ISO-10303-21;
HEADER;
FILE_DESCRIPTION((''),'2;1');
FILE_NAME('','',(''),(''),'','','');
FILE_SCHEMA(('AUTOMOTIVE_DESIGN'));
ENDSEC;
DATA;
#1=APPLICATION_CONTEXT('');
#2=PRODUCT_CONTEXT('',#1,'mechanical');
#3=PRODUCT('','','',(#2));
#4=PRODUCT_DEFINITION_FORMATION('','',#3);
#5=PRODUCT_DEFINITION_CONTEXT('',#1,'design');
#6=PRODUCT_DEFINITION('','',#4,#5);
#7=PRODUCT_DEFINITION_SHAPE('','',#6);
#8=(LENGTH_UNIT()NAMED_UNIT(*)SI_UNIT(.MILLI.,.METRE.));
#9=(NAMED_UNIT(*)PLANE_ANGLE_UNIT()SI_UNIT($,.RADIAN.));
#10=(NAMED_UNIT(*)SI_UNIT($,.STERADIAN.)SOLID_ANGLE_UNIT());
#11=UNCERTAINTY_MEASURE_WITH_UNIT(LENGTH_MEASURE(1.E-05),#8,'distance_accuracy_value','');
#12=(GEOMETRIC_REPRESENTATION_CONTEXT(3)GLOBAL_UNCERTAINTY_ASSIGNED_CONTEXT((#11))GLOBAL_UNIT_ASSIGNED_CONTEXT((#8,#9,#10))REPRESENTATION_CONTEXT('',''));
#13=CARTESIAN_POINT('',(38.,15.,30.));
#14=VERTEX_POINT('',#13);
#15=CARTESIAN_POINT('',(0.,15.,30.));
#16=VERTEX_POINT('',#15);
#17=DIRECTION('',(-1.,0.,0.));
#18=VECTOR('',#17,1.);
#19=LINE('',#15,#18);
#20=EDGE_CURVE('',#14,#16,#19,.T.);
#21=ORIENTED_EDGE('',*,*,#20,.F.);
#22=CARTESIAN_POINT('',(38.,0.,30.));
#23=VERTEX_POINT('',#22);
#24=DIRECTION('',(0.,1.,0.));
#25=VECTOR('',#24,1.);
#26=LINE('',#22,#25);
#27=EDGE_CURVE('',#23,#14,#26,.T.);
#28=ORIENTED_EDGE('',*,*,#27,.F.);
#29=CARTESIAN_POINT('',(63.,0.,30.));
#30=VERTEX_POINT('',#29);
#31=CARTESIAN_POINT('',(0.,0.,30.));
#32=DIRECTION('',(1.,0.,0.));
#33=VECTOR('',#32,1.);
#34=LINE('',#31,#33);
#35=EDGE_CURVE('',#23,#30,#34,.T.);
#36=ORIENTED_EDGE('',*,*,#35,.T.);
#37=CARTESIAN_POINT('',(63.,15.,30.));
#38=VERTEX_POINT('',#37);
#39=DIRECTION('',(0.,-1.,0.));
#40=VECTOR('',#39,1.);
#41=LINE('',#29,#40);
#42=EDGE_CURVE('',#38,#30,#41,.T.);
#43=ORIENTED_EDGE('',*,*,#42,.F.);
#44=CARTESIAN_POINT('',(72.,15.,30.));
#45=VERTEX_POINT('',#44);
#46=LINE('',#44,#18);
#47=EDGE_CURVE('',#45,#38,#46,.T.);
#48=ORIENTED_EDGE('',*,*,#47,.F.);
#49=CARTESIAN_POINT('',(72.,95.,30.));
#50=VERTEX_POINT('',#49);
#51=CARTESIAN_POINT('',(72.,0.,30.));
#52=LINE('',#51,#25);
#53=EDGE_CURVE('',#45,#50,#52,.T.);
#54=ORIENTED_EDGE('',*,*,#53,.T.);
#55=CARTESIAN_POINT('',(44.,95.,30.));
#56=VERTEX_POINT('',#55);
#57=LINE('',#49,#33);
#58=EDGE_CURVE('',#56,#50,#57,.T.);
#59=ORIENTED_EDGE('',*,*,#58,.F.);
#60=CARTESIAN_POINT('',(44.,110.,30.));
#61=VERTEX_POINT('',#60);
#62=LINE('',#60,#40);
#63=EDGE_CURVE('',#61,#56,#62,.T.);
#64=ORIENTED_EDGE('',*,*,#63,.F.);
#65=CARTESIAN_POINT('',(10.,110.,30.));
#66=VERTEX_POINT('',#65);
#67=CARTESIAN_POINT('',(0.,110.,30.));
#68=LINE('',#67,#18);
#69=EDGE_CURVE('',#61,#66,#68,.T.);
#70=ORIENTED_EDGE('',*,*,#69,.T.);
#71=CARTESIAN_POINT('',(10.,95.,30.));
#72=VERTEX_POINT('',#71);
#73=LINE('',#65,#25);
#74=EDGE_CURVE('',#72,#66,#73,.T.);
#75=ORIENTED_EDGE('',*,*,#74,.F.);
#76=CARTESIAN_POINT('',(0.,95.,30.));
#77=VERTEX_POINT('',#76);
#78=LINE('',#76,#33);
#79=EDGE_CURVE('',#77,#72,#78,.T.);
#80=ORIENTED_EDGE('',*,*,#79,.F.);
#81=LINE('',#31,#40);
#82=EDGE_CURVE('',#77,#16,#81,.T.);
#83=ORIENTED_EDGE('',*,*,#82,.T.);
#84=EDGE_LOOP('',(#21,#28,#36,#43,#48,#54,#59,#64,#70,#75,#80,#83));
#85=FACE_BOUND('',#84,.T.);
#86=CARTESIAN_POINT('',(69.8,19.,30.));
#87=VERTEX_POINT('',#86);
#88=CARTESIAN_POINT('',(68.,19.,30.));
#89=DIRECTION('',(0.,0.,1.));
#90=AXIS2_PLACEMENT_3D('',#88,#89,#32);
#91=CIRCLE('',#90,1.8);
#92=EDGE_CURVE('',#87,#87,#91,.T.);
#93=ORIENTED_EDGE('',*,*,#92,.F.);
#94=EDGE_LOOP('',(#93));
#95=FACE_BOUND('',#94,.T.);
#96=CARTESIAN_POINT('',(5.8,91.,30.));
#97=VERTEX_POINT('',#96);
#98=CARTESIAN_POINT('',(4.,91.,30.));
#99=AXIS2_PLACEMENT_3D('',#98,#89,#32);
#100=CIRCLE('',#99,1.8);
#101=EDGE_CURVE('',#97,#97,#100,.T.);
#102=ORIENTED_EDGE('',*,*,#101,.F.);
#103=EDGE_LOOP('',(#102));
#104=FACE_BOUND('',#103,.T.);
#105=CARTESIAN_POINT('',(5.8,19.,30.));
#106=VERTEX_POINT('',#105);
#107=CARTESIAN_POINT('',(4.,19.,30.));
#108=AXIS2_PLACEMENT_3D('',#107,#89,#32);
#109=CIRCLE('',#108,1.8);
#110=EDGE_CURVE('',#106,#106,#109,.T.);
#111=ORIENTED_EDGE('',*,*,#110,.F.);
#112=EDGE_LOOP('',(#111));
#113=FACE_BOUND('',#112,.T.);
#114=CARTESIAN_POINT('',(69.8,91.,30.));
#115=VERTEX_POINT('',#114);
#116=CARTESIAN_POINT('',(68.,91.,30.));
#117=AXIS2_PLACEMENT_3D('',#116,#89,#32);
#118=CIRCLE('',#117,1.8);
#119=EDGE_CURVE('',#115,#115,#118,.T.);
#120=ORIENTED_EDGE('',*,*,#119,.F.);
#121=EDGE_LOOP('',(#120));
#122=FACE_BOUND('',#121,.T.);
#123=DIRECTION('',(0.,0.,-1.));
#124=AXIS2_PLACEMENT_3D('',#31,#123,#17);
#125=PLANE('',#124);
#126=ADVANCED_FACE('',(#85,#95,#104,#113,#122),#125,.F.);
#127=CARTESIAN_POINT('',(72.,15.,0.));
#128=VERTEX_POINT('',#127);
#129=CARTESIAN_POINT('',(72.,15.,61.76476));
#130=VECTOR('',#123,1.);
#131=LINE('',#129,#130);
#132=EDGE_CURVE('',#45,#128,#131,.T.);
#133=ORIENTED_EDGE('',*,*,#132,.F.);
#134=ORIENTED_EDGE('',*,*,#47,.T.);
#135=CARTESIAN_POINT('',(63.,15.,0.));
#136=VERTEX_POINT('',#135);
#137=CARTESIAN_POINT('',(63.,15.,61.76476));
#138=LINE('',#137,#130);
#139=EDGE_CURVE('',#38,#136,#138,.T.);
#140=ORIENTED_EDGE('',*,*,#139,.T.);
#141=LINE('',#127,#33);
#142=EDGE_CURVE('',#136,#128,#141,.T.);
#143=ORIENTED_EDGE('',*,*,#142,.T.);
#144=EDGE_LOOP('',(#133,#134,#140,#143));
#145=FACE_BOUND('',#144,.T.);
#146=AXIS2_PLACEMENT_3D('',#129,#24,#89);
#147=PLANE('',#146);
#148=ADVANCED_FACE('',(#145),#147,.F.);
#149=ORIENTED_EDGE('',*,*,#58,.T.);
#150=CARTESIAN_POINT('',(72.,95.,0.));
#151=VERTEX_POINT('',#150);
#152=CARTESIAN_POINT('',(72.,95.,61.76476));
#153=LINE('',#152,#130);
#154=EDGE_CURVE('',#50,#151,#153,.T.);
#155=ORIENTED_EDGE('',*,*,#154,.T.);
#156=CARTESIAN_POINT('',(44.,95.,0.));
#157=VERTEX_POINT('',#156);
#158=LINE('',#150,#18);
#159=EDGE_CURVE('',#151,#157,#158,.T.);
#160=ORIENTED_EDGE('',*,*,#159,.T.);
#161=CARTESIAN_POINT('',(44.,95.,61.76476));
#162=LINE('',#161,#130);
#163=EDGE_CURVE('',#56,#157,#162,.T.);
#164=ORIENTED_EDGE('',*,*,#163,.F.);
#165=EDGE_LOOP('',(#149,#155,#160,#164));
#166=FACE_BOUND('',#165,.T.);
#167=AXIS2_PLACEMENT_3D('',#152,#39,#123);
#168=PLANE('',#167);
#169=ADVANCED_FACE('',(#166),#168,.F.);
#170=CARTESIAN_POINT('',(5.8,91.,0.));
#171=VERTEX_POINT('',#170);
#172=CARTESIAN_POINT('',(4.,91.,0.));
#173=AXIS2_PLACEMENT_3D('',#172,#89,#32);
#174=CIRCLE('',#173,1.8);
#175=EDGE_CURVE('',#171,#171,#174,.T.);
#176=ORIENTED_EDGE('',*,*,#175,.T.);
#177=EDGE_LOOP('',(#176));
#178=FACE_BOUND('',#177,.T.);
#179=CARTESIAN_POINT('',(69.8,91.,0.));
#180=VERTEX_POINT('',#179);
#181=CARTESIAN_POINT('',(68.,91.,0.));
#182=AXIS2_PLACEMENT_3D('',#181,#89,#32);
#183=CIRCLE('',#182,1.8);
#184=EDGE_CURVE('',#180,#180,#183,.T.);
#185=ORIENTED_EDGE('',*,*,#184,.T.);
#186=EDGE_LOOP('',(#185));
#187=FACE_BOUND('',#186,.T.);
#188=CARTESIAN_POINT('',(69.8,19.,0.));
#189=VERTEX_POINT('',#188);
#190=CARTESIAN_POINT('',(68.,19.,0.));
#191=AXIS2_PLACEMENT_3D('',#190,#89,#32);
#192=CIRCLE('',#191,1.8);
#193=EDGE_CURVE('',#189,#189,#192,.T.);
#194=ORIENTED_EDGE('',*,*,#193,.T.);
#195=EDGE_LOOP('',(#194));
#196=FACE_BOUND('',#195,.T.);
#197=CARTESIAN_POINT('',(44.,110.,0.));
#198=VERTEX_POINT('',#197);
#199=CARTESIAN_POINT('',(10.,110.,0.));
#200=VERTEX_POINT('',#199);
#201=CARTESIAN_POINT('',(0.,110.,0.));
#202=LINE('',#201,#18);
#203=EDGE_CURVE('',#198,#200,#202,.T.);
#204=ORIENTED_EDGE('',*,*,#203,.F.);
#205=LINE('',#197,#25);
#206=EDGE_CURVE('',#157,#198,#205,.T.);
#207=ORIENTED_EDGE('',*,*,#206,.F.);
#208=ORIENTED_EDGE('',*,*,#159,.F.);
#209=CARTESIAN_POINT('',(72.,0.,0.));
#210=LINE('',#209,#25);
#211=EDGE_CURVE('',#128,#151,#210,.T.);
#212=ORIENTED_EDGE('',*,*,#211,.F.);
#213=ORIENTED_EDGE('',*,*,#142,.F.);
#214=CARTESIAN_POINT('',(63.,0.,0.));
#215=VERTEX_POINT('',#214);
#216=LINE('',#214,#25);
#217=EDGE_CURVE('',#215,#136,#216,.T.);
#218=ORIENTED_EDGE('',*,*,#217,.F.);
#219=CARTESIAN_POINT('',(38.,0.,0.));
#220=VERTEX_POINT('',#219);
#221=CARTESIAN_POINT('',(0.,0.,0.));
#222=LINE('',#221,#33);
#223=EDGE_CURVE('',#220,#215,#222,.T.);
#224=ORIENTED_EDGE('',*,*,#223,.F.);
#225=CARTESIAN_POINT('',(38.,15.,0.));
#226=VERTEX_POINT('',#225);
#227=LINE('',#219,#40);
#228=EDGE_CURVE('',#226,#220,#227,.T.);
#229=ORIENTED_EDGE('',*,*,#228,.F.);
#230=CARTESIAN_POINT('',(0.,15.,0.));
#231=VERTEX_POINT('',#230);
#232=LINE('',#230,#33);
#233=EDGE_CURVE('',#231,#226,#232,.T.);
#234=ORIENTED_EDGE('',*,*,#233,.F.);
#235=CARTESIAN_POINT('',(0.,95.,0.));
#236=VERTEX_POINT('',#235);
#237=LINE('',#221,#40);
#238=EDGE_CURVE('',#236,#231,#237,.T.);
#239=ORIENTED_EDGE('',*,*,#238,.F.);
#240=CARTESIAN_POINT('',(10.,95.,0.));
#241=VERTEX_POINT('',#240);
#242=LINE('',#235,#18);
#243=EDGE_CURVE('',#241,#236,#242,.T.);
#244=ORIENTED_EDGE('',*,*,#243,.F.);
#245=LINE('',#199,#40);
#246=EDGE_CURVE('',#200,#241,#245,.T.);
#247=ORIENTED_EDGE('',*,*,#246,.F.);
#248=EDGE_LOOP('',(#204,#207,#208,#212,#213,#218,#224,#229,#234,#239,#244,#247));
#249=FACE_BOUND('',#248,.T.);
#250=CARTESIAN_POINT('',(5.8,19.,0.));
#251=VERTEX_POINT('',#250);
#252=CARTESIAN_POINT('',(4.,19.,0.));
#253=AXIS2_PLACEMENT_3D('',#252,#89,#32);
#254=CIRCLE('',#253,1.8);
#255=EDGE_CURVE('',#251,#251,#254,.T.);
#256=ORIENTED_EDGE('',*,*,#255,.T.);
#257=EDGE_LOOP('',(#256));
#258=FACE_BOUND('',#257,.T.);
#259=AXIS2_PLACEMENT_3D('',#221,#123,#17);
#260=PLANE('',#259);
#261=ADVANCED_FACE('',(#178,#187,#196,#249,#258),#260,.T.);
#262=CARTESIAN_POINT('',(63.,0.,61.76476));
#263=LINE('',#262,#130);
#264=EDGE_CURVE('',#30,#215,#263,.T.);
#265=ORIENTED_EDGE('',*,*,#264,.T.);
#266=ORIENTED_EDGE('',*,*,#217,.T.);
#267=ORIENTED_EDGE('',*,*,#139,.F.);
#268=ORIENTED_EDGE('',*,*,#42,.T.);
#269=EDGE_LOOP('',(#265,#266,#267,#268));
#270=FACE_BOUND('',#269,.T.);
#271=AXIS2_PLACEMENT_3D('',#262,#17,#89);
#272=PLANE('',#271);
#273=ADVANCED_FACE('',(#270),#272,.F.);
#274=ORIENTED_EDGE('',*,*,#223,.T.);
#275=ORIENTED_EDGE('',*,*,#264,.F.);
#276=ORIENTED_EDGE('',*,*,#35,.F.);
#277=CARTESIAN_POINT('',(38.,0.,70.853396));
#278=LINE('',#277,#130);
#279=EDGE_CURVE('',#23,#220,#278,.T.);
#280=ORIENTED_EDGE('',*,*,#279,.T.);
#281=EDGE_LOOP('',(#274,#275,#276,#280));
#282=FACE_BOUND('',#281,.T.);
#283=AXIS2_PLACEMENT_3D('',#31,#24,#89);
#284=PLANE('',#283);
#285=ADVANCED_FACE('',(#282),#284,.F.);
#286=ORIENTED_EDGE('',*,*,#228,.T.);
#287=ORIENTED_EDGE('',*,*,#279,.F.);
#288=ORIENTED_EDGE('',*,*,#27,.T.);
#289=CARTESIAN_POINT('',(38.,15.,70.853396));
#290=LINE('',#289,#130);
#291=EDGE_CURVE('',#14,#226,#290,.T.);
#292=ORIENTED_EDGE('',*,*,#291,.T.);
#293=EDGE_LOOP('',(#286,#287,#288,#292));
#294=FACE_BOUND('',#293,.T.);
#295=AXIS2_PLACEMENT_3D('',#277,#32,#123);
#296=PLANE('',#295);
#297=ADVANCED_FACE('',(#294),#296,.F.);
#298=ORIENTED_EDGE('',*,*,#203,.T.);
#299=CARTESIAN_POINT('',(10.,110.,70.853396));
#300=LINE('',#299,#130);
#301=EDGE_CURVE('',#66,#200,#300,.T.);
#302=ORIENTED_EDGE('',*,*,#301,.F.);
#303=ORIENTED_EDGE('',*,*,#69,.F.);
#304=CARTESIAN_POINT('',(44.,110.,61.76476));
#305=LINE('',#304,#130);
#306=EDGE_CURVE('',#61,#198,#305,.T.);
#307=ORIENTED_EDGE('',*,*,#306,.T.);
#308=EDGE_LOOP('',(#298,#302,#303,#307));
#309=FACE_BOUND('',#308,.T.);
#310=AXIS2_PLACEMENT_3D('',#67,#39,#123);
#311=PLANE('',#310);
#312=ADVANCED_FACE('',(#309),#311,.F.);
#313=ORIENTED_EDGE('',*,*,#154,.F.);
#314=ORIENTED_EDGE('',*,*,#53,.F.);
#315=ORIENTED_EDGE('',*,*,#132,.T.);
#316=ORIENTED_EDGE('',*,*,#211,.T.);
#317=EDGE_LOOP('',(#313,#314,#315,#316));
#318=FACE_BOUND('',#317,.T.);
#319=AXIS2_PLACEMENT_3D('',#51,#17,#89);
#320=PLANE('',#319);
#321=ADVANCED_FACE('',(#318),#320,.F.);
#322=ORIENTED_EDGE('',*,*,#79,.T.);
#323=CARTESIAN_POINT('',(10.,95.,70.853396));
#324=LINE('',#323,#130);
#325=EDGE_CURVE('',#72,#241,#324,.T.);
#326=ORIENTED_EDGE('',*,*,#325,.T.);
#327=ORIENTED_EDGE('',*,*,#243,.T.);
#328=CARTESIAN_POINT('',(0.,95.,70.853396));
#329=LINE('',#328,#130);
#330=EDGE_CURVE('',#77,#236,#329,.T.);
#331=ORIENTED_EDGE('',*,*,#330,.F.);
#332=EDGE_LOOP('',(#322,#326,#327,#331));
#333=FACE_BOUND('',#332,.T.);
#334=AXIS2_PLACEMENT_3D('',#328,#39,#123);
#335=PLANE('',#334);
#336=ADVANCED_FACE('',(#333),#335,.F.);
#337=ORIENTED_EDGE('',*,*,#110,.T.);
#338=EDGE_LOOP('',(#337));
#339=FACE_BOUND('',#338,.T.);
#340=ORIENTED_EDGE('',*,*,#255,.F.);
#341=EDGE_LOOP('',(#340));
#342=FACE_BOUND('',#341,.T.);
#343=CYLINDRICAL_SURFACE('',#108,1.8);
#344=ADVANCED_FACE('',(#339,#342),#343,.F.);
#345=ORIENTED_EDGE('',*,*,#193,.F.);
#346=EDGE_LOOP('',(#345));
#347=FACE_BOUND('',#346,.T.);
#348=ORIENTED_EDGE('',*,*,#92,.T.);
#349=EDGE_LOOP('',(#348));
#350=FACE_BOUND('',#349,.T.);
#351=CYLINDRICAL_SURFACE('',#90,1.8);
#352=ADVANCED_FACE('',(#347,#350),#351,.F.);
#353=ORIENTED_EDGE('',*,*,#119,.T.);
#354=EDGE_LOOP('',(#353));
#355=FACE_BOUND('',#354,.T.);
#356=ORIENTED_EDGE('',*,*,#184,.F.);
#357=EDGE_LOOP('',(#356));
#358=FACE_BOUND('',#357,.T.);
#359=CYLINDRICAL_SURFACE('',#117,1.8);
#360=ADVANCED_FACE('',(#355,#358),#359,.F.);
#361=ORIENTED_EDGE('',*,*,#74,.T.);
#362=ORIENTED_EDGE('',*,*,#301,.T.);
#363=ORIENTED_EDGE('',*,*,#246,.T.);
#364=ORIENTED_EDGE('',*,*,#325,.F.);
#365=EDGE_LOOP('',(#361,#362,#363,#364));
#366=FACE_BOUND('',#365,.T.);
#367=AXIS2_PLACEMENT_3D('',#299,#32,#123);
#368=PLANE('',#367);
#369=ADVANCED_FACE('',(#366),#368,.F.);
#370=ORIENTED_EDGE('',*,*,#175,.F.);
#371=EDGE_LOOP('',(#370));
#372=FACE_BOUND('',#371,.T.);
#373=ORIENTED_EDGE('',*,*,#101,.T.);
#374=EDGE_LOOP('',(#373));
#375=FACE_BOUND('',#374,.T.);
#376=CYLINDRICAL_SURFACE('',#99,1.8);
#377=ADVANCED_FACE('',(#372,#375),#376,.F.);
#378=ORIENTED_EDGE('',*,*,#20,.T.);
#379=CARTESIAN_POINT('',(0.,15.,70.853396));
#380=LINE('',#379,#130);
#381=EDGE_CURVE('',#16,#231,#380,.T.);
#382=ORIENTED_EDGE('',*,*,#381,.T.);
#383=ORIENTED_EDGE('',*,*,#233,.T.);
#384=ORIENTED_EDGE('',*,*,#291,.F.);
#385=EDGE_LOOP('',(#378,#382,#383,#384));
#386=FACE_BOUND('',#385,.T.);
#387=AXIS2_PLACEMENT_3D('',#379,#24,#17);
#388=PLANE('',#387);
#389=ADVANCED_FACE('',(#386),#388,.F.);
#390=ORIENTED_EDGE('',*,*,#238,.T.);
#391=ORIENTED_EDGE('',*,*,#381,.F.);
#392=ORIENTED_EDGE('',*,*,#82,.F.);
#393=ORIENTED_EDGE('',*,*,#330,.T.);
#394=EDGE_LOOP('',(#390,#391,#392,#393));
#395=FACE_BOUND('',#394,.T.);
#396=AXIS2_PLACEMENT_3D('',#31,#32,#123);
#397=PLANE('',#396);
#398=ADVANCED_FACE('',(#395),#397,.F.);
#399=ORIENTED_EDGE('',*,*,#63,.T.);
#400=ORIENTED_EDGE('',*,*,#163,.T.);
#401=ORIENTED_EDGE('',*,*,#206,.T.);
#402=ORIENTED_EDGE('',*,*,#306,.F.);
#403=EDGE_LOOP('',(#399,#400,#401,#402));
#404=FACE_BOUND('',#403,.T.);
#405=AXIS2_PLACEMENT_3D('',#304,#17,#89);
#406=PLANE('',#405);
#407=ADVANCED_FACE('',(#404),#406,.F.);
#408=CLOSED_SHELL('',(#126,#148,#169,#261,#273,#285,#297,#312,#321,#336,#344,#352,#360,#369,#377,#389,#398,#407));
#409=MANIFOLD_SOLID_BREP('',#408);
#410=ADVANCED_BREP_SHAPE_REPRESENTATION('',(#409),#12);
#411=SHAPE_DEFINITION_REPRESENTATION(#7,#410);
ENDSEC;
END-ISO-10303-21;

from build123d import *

# Parameters (mm, degrees)
ESQUISSE1_W             = 72
ESQUISSE1_H             = 110
BOSS_EXTRU_1_DEPTH      = 30
D_GAGEMENT_M31_D        = 3.6
ESQUISSE5_W             = 10
ESQUISSE5_H             = 15
ESQUISSE5_W_2           = 38
ENL_V_MAT_EXTRU_1_DEPTH = 30
ESQUISSE6_W             = 28
ESQUISSE6_H             = 15
ESQUISSE6_W_2           = 9
ENL_V_MAT_EXTRU_2_DEPTH = 30


with BuildPart() as part:
    # Esquisse1 → Boss.-Extru.1 (new body)
    with BuildSketch(Plane.XY):
        with Locations((36, 55)):
            Rectangle(ESQUISSE1_W, ESQUISSE1_H)
    extrude(amount=BOSS_EXTRU_1_DEPTH)

    # Dégagement M31 (through all)
    with Locations(Plane.XY.offset(30)):
        with Locations((4, 91), (68, 91), (4, 19), (68, 19)):
            Hole(D_GAGEMENT_M31_D / 2)

    # Esquisse5 → Enlèv. mat.-Extru.1 (cut)
    with BuildSketch(Plane(origin=(0, 0, 0), x_dir=(-1, 0, 0), z_dir=(0, 0, -1))):
        with Locations((-5, 102.5)):
            Rectangle(ESQUISSE5_W, ESQUISSE5_H)
        with Locations((-19, 7.5)):
            Rectangle(ESQUISSE5_W_2, ESQUISSE5_H)
    extrude(amount=-ENL_V_MAT_EXTRU_1_DEPTH, mode=Mode.SUBTRACT)

    # Esquisse6 → Enlèv. mat.-Extru.2 (cut)
    with BuildSketch(Plane(origin=(0, 0, 0), x_dir=(-1, 0, 0), z_dir=(0, 0, -1))):
        with Locations((-58, 102.5)):
            Rectangle(ESQUISSE6_W, ESQUISSE6_H)
        with Locations((-67.5, 7.5)):
            Rectangle(ESQUISSE6_W_2, ESQUISSE6_H)
    extrude(amount=-ENL_V_MAT_EXTRU_2_DEPTH, mode=Mode.SUBTRACT)


solid = part.part
